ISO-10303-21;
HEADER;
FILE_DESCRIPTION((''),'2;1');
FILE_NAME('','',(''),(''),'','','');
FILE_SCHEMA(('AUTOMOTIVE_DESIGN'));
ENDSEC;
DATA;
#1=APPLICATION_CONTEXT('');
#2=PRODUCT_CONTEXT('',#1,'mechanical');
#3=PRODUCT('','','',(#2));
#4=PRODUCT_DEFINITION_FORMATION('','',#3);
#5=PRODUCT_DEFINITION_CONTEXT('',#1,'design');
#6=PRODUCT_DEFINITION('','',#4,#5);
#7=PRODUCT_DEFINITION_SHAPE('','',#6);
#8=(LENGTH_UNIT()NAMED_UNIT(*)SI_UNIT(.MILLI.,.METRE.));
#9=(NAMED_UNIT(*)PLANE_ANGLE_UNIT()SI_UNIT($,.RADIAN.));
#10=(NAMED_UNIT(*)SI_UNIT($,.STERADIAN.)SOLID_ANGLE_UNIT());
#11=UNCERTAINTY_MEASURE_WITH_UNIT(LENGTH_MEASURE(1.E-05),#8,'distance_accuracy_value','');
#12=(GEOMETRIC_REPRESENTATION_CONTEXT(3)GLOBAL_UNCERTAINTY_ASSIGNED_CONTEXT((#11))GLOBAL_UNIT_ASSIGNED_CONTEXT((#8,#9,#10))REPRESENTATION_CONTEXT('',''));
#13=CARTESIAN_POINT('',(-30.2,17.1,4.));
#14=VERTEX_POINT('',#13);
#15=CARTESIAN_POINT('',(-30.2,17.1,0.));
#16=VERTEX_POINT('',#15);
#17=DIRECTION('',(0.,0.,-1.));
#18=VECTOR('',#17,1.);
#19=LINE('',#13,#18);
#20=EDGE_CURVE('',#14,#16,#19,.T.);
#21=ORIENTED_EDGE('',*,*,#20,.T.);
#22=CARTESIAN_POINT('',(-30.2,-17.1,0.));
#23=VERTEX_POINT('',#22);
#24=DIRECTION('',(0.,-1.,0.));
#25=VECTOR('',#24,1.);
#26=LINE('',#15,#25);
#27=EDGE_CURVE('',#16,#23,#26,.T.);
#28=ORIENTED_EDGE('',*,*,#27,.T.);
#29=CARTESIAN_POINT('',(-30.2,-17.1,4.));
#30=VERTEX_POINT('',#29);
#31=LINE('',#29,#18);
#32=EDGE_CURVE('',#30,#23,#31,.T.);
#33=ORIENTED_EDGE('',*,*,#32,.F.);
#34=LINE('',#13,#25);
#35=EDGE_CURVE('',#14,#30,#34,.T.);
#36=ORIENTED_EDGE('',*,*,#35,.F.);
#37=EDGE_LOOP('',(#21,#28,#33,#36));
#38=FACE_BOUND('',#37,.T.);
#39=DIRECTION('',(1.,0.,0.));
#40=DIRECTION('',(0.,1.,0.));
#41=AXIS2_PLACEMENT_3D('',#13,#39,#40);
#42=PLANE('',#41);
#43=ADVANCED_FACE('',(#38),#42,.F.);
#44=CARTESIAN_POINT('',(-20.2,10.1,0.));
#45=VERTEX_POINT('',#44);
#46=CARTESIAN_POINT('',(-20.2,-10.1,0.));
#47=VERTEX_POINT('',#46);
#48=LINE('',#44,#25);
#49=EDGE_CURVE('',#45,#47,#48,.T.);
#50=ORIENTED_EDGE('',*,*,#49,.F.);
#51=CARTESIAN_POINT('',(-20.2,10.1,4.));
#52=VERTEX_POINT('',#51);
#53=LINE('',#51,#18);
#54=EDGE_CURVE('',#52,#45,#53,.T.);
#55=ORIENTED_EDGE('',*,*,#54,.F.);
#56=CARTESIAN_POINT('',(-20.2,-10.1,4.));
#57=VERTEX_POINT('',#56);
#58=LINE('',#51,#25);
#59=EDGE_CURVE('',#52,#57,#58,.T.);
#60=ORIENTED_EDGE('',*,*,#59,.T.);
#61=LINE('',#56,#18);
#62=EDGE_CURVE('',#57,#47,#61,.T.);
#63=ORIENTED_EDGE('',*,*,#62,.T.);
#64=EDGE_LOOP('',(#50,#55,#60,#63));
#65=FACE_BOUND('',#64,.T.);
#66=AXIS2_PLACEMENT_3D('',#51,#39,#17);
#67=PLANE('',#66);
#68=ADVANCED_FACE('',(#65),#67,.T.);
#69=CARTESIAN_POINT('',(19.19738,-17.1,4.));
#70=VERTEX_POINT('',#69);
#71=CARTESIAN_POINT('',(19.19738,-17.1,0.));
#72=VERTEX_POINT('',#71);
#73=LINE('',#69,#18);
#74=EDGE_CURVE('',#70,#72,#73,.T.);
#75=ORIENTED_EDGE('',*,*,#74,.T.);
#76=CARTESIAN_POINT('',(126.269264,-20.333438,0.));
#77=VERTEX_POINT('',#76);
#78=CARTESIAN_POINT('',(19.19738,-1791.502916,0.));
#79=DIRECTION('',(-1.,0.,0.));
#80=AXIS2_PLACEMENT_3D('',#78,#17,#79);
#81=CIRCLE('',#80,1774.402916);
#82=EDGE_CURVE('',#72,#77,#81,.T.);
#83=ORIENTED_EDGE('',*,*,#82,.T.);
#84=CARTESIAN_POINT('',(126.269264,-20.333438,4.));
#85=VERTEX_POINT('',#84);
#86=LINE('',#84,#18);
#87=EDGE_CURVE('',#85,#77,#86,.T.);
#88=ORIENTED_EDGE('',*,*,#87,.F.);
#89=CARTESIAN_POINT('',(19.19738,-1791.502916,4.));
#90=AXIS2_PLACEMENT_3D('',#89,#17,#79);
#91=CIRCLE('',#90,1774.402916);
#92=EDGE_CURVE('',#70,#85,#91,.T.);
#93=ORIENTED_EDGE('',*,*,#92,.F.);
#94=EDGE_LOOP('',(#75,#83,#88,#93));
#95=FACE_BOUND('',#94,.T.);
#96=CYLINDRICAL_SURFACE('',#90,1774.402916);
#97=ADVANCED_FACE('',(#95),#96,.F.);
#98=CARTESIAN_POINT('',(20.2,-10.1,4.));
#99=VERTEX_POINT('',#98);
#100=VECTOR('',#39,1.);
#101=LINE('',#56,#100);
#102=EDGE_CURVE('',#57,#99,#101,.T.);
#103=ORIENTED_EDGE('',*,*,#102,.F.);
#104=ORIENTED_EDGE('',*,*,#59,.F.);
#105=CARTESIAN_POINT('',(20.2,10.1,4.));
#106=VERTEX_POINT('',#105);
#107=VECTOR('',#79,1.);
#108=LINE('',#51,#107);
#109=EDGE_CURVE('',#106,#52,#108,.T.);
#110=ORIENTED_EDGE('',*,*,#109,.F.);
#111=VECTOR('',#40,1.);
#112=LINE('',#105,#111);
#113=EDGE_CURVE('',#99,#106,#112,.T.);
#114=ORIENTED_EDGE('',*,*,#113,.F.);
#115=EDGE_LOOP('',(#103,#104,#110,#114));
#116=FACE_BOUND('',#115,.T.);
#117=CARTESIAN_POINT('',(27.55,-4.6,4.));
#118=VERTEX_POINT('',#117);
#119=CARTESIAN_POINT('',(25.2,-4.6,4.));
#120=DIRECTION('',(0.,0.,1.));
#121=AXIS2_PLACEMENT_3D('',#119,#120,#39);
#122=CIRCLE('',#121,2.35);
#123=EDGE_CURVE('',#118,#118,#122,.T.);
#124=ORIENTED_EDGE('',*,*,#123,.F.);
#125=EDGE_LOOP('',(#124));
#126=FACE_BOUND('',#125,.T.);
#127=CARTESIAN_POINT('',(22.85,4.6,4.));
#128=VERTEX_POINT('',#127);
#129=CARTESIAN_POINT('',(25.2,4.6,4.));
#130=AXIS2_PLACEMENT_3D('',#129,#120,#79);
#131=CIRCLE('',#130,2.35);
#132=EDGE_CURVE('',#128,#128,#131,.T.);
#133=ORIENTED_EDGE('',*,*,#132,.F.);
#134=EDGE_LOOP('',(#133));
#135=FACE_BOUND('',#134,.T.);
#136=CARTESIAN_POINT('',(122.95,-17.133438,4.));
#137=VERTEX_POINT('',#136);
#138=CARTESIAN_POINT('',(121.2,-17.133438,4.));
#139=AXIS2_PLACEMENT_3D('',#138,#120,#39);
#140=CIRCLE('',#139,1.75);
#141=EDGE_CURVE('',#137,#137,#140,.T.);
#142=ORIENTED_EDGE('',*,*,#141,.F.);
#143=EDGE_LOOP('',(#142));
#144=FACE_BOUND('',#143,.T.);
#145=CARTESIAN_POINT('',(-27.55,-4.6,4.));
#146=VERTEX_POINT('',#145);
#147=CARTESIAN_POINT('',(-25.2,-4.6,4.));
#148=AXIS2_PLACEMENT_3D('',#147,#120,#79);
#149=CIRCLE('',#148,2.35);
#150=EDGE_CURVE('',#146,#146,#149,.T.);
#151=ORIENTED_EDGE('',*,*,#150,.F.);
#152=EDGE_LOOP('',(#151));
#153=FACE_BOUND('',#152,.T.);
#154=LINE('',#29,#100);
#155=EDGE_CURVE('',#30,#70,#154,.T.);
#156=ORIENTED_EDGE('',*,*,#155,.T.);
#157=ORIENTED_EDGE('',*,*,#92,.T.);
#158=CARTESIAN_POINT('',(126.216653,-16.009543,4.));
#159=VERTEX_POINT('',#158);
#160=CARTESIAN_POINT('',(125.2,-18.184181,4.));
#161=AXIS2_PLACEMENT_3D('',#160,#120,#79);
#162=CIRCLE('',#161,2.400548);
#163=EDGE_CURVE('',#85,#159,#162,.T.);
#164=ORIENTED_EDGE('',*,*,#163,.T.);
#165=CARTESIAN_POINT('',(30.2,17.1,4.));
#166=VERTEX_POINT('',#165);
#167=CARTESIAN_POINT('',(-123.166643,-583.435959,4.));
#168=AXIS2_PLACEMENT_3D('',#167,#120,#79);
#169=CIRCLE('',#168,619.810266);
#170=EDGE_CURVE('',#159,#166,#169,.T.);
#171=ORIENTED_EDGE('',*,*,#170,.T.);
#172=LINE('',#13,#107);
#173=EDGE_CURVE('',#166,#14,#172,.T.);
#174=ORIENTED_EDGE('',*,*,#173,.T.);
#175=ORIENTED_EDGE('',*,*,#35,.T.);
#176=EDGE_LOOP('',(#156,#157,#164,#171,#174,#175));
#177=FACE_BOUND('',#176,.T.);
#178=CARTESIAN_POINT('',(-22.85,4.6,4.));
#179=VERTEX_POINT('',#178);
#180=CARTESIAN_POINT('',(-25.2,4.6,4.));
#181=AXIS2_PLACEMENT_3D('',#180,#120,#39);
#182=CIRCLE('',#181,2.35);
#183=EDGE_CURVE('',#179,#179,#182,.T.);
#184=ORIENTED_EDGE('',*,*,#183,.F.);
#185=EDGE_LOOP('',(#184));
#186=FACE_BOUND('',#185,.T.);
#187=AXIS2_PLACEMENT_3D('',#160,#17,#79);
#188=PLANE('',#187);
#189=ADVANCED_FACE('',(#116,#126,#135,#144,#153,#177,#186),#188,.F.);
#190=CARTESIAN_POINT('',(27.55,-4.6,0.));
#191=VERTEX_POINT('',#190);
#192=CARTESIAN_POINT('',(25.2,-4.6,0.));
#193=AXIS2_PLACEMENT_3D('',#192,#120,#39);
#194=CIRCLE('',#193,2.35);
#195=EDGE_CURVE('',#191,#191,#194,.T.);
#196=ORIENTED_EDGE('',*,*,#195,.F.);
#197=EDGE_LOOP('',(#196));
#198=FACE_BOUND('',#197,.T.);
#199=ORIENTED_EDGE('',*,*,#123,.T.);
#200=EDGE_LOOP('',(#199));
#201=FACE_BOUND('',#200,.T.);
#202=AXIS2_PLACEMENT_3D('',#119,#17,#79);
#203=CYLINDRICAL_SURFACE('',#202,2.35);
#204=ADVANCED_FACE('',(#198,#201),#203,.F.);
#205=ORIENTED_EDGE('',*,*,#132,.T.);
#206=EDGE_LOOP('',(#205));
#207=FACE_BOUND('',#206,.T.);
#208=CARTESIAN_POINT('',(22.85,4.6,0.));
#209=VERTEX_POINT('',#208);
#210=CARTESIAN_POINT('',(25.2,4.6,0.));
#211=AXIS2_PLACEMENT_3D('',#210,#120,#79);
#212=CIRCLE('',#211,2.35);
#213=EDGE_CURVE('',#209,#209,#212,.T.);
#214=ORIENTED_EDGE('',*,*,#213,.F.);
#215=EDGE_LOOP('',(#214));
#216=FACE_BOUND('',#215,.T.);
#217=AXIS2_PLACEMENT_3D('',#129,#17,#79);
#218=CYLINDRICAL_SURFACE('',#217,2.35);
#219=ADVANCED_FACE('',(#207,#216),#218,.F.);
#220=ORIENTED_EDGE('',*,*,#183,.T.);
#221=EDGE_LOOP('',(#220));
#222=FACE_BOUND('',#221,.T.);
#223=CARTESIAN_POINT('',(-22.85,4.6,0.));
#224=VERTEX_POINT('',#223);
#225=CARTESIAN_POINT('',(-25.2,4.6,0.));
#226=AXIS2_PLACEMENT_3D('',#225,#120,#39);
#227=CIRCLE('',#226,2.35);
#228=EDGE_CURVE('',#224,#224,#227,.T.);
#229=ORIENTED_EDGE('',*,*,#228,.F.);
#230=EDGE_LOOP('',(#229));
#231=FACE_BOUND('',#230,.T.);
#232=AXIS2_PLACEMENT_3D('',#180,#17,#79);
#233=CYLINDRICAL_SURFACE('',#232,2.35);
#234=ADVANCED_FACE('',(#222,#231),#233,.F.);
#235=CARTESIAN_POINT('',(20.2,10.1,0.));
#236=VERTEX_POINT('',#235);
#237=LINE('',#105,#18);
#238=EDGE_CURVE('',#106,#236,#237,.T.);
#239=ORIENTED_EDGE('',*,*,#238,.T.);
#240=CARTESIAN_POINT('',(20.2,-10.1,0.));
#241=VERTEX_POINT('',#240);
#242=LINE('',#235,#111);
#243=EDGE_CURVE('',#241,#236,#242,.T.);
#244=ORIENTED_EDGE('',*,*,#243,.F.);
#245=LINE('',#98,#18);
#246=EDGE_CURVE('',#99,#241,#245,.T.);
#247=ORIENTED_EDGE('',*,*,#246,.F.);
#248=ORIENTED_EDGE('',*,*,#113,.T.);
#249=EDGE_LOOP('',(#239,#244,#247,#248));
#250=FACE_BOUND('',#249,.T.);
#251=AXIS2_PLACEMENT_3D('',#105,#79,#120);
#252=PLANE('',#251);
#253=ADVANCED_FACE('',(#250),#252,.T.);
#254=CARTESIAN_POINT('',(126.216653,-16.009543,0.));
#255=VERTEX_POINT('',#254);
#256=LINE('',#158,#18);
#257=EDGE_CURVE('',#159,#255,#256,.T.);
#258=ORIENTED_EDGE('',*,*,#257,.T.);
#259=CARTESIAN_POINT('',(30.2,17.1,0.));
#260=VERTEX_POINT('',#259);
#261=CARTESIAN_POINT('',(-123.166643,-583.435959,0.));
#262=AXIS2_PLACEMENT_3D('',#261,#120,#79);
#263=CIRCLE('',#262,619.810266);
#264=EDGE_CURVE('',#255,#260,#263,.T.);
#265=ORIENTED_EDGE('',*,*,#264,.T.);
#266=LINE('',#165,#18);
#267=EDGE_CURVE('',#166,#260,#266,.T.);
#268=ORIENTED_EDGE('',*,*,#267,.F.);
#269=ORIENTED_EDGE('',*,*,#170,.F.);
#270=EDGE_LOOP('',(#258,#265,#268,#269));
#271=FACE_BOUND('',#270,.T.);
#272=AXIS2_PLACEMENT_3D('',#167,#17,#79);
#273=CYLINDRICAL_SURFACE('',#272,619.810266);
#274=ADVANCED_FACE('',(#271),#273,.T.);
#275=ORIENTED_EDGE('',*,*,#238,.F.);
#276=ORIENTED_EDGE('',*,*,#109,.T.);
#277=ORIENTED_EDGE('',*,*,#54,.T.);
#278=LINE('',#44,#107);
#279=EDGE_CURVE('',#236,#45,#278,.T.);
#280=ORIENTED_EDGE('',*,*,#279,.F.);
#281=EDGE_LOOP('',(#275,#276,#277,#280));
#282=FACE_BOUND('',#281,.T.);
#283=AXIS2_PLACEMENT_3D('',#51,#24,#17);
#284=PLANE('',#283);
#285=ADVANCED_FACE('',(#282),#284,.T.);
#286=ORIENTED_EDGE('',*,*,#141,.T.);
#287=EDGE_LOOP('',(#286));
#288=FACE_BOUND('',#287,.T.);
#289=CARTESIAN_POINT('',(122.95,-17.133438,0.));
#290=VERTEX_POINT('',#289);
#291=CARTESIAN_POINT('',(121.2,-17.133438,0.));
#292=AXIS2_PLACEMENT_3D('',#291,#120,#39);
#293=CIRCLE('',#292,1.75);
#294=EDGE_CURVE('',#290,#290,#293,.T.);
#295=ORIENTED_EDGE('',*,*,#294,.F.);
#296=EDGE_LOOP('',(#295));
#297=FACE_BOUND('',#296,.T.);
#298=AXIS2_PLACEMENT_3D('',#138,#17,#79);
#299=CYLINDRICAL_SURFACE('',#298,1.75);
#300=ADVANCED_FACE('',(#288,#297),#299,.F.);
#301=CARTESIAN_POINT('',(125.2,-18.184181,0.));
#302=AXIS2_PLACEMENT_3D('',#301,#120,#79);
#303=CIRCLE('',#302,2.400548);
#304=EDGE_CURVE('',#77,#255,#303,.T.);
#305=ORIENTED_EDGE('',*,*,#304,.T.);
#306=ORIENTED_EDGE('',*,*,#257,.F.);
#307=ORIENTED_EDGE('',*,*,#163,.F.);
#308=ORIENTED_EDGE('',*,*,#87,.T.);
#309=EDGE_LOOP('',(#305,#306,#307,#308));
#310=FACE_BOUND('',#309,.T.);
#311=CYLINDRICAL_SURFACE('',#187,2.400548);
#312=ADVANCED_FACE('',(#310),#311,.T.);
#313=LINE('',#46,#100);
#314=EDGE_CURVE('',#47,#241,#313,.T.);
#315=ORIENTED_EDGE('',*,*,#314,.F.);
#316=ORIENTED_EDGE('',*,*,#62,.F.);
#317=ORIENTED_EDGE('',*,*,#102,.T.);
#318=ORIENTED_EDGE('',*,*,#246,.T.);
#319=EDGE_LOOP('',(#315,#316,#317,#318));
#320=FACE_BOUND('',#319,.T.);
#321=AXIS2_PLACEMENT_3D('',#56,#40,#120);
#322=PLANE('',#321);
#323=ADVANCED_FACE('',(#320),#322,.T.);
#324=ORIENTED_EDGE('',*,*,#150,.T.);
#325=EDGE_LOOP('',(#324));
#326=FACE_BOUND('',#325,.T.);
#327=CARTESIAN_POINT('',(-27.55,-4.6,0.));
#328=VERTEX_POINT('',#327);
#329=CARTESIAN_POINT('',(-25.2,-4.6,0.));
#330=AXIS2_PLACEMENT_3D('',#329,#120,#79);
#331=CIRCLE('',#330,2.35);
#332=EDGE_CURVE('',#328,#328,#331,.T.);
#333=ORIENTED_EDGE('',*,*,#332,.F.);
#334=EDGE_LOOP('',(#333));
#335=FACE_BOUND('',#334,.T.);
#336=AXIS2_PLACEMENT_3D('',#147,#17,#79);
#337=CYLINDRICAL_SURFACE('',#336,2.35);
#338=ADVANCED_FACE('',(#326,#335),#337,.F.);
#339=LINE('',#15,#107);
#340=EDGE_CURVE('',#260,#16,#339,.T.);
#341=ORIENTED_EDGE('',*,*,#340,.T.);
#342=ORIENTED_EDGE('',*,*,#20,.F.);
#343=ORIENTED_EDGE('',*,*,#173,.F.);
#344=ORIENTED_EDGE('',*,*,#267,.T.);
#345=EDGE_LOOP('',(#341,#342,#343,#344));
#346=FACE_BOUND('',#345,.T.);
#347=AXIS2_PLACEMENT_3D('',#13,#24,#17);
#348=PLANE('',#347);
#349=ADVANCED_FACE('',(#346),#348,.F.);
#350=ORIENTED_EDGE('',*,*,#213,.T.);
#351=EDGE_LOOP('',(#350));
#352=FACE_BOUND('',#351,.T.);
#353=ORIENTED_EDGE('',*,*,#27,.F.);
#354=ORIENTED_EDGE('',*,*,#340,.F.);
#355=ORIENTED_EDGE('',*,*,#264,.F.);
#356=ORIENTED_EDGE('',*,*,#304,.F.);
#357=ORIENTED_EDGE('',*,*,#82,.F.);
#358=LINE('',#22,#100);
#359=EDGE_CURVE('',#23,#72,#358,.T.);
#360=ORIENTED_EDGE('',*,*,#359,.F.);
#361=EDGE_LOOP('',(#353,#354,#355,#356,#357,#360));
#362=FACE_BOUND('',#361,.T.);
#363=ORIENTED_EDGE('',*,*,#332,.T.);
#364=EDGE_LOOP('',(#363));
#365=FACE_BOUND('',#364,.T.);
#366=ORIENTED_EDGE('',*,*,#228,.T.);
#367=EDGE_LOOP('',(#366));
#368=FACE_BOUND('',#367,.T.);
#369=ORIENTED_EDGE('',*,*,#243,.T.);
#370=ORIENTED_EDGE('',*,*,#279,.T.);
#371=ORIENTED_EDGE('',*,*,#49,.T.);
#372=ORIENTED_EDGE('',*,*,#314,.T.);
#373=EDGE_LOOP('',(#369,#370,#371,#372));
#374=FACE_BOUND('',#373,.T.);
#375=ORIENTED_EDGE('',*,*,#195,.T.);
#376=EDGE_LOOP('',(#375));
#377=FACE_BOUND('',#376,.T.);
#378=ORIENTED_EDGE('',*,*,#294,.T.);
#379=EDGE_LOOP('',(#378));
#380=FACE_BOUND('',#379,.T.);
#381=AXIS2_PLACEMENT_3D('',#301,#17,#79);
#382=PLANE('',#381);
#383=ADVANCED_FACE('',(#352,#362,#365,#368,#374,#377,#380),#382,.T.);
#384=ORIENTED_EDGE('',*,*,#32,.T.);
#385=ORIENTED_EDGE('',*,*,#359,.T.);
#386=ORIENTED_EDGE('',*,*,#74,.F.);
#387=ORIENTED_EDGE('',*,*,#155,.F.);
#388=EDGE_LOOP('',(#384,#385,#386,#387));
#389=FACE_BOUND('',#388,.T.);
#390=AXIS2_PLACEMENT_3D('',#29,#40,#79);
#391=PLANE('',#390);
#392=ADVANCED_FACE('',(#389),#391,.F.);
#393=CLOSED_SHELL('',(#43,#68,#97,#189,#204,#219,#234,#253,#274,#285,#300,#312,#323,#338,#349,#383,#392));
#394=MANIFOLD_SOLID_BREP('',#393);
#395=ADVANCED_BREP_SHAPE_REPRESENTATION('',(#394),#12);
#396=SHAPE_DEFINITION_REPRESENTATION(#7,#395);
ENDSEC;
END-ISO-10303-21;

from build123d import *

# Parameters (mm, degrees)
SZKIC2_R                    = 2.35
SZKIC2_R_2                  = 1.75
SZKIC2_W                    = 40.4
SZKIC2_H                    = 20.2
DODANIE_WYCI_GNI_CIE1_DEPTH = 4


with BuildPart() as part:
    # Szkic2 → Dodanie-wyciągnięcie1 (new body)
    with BuildSketch(Plane.XY):
        with BuildLine():
            Line((-30.2, 17.1), (30.2, 17.1))
            ThreePointArc((30.2, 17.1), (78.887653554, 2.515256091), (126.216652739, -16.009543491))
            ThreePointArc((126.216652739, -16.009543491), (127.600370297, -18.154974458), (126.269263581, -20.333437957))
            ThreePointArc((126.269263581, -20.333437957), (72.757727431, -17.908543704), (19.197379501, -17.1))
            Line((19.197379501, -17.1), (-30.2, -17.1))
            Line((-30.2, -17.1), (-30.2, 17.1))
        make_face()
        with Locations((-25.2, 4.6)):
            Circle(SZKIC2_R, mode=Mode.SUBTRACT)
        with Locations(Location((25.2, 4.6, 0), (0, 0, 180))):
            Circle(SZKIC2_R, mode=Mode.SUBTRACT)
        with Locations((25.2, -4.6)):
            Circle(SZKIC2_R, mode=Mode.SUBTRACT)
        with Locations(Location((-25.2, -4.6, 0), (0, 0, 180))):
            Circle(SZKIC2_R, mode=Mode.SUBTRACT)
        with Locations((121.2, -17.133437957)):
            Circle(SZKIC2_R_2, mode=Mode.SUBTRACT)
        Rectangle(SZKIC2_W, SZKIC2_H, mode=Mode.SUBTRACT)
    extrude(amount=DODANIE_WYCI_GNI_CIE1_DEPTH)


solid = part.part
